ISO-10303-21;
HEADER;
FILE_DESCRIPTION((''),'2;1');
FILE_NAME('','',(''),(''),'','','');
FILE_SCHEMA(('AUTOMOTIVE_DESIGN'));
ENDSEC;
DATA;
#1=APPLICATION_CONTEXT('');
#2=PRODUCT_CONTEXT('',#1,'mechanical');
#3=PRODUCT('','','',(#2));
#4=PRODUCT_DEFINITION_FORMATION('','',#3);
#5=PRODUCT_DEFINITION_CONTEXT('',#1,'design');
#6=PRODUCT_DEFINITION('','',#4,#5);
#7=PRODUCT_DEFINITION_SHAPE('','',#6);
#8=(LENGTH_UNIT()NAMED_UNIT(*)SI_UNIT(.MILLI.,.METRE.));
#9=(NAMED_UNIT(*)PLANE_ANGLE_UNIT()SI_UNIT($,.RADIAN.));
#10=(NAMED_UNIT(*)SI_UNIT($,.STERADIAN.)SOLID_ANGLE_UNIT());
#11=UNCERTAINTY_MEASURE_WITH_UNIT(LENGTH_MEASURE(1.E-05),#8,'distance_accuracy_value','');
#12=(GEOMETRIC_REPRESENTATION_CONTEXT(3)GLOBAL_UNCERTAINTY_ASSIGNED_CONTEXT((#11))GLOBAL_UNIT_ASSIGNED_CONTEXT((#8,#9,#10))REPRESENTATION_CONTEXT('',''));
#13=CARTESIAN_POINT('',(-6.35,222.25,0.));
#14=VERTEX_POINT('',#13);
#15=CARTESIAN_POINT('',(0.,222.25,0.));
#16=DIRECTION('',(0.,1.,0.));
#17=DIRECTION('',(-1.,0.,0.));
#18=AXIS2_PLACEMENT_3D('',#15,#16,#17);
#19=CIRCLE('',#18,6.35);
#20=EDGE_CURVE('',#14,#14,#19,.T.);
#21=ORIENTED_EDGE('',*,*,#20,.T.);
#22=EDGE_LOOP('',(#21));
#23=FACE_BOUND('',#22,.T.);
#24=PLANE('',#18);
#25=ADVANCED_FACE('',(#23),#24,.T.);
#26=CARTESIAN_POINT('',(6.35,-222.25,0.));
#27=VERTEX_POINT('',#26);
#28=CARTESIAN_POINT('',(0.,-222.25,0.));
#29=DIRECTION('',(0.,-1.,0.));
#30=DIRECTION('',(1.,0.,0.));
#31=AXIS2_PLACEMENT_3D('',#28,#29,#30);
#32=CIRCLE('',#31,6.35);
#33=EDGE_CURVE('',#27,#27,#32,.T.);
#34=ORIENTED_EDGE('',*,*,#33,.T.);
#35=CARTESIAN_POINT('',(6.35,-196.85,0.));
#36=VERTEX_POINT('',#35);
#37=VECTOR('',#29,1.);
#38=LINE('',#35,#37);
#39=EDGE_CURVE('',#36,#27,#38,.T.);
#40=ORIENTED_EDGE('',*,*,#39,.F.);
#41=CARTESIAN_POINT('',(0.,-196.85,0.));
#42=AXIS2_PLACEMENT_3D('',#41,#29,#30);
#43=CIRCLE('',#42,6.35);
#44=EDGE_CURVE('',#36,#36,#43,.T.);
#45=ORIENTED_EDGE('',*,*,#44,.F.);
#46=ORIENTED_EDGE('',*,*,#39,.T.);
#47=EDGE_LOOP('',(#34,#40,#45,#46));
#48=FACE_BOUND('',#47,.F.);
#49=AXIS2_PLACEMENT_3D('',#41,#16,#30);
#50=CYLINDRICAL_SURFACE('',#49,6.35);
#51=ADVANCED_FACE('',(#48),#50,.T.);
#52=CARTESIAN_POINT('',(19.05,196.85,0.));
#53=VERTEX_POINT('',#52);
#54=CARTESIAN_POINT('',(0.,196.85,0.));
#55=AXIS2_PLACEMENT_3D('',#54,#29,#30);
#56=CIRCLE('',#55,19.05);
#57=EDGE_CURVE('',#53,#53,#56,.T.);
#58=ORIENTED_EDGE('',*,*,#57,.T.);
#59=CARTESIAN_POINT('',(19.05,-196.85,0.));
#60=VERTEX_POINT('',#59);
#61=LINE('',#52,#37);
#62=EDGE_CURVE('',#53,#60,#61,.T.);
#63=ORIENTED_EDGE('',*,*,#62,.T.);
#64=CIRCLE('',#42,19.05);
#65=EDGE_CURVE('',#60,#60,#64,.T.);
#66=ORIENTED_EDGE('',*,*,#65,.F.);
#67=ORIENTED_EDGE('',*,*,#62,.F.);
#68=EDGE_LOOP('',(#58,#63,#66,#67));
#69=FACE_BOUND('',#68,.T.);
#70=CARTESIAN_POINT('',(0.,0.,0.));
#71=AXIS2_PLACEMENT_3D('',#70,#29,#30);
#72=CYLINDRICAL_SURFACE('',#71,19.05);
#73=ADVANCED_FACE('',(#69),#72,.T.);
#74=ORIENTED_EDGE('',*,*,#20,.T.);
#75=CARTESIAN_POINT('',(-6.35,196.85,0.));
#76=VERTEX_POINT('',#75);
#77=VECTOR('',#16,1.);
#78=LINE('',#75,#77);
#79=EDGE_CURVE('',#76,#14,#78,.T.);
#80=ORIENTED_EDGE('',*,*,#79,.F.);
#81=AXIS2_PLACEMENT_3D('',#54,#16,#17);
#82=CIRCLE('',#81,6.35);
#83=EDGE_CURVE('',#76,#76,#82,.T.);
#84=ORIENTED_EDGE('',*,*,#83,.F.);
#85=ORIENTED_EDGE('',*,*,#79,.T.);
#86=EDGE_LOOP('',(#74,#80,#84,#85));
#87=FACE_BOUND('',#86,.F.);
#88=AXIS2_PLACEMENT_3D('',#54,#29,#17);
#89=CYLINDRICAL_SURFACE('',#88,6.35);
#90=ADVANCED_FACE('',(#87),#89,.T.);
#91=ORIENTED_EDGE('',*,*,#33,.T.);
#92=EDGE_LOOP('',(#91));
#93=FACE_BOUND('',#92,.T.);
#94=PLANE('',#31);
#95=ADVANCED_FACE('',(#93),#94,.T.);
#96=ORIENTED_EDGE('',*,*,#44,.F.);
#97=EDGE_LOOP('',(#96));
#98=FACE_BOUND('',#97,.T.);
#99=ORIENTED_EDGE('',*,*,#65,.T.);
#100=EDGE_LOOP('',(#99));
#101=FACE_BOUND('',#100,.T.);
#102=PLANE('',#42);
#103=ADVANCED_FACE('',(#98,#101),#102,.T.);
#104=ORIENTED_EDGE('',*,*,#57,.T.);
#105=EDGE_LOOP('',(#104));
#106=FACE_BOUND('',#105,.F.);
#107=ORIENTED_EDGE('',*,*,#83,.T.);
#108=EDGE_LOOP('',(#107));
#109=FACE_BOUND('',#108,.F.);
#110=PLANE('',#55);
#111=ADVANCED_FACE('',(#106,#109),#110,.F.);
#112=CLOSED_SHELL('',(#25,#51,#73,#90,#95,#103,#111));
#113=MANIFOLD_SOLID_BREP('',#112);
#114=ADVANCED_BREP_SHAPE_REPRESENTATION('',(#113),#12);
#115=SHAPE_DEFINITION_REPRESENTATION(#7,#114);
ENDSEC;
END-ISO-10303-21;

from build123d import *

# Parameters (mm, degrees)
F0_R     = 19.05
F1_DEPTH = 196.85
F2_R     = 6.35
F3_DEPTH = 25.4
F4_R     = 6.35
F5_DEPTH = 25.4


with BuildPart() as f1:
    # F0 (on Front) → F1 (new body, symmetric)
    with BuildSketch(Plane.XZ):
        Circle(F0_R)
    extrude(amount=F1_DEPTH, both=True)

    # F2 (on face) → F3 (join)
    with BuildSketch(Plane(origin=(0, 196.85, 0), x_dir=(-1, 0, 0), z_dir=(0, 1, 0))):
        Circle(F2_R)
    extrude(amount=F3_DEPTH)

    # F4 (on face) → F5 (join)
    with BuildSketch(Plane.XZ.offset(196.85)):
        Circle(F4_R)
    extrude(amount=F5_DEPTH)


solid = f1.part
